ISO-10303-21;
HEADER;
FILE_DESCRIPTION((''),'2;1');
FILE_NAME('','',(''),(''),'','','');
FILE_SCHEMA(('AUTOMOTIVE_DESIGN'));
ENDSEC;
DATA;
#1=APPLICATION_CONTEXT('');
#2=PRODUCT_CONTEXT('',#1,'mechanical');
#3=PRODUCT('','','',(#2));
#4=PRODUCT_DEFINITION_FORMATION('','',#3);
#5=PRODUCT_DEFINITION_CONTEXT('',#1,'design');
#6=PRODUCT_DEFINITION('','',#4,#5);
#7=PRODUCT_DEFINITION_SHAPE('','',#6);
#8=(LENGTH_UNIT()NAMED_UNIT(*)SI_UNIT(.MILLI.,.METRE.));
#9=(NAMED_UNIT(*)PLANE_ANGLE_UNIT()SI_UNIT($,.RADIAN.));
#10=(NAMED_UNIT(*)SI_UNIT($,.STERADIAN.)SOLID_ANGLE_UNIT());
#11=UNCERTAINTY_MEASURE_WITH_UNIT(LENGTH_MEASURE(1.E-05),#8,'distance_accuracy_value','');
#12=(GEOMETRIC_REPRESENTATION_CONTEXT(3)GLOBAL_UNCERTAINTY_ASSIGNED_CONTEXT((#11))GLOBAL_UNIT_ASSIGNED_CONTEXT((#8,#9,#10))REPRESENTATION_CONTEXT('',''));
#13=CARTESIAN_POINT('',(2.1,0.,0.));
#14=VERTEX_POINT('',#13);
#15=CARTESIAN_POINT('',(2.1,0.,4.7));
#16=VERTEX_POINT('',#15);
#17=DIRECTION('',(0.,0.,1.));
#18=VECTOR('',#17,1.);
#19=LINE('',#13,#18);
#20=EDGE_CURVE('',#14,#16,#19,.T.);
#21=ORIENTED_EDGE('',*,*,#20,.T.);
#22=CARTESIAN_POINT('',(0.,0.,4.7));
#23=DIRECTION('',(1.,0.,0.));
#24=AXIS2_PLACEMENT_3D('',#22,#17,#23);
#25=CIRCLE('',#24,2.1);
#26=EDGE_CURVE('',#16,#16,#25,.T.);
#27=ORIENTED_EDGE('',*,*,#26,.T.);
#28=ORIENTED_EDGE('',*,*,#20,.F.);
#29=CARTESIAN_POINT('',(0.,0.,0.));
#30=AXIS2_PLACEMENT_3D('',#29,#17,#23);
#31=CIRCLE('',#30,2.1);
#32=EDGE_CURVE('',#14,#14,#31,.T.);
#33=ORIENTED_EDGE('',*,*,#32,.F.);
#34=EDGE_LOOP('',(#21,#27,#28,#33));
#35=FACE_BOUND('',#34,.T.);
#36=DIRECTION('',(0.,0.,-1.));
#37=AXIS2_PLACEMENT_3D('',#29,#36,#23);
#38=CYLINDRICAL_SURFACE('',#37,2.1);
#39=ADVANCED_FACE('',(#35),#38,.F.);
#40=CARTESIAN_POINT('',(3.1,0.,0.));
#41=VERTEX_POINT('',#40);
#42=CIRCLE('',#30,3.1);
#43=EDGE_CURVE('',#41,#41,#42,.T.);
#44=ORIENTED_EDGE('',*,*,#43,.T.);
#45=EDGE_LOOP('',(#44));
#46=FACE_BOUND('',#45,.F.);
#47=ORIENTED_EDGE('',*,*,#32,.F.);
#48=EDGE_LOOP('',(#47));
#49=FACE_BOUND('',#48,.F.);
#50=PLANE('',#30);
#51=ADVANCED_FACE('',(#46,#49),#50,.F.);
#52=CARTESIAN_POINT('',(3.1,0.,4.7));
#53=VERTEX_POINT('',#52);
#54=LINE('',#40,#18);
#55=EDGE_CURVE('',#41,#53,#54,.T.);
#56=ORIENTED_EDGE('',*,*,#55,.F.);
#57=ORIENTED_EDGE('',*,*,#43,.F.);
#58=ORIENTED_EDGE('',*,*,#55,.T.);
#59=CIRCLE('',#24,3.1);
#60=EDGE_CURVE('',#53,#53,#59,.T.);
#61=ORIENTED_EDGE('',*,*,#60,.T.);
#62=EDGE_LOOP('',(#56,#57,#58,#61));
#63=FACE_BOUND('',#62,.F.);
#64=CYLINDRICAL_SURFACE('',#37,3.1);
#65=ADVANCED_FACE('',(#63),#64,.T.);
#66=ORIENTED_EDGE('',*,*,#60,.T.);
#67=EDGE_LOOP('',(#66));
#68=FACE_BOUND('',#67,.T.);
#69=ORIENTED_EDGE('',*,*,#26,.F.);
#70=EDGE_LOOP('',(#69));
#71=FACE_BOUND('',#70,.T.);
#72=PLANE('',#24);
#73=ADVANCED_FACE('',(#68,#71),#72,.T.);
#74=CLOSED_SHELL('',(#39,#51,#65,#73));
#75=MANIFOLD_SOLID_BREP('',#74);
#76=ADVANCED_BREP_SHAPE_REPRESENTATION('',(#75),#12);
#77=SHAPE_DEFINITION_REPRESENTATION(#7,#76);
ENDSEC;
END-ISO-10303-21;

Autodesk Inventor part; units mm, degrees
ref_plane "YZ Plane" through (0, 0, 0) normal (1, 0, 0) x (0, 1, 0)
ref_plane "XZ Plane" through (0, 0, 0) normal (0, 1, 0) x (-1, 0, 0)
ref_plane "XY Plane" through (0, 0, 0) normal (0, 0, 1) x (1, 0, 0)
sketch "Skizze1" plane through (0, 0, 0) normal (0, 0, 1) x (1, 0, 0)
  circle A0 centre (0, 0) radius 2.1
  circle A1 centre (0, 0) radius 3.1
  dimension "d0" = 4.2
  dimension "d1" = 1
extrude "Extrusion1" add sketch "Skizze1" along normal blind 4.7
properties part number "BushBeltDriveBR"
